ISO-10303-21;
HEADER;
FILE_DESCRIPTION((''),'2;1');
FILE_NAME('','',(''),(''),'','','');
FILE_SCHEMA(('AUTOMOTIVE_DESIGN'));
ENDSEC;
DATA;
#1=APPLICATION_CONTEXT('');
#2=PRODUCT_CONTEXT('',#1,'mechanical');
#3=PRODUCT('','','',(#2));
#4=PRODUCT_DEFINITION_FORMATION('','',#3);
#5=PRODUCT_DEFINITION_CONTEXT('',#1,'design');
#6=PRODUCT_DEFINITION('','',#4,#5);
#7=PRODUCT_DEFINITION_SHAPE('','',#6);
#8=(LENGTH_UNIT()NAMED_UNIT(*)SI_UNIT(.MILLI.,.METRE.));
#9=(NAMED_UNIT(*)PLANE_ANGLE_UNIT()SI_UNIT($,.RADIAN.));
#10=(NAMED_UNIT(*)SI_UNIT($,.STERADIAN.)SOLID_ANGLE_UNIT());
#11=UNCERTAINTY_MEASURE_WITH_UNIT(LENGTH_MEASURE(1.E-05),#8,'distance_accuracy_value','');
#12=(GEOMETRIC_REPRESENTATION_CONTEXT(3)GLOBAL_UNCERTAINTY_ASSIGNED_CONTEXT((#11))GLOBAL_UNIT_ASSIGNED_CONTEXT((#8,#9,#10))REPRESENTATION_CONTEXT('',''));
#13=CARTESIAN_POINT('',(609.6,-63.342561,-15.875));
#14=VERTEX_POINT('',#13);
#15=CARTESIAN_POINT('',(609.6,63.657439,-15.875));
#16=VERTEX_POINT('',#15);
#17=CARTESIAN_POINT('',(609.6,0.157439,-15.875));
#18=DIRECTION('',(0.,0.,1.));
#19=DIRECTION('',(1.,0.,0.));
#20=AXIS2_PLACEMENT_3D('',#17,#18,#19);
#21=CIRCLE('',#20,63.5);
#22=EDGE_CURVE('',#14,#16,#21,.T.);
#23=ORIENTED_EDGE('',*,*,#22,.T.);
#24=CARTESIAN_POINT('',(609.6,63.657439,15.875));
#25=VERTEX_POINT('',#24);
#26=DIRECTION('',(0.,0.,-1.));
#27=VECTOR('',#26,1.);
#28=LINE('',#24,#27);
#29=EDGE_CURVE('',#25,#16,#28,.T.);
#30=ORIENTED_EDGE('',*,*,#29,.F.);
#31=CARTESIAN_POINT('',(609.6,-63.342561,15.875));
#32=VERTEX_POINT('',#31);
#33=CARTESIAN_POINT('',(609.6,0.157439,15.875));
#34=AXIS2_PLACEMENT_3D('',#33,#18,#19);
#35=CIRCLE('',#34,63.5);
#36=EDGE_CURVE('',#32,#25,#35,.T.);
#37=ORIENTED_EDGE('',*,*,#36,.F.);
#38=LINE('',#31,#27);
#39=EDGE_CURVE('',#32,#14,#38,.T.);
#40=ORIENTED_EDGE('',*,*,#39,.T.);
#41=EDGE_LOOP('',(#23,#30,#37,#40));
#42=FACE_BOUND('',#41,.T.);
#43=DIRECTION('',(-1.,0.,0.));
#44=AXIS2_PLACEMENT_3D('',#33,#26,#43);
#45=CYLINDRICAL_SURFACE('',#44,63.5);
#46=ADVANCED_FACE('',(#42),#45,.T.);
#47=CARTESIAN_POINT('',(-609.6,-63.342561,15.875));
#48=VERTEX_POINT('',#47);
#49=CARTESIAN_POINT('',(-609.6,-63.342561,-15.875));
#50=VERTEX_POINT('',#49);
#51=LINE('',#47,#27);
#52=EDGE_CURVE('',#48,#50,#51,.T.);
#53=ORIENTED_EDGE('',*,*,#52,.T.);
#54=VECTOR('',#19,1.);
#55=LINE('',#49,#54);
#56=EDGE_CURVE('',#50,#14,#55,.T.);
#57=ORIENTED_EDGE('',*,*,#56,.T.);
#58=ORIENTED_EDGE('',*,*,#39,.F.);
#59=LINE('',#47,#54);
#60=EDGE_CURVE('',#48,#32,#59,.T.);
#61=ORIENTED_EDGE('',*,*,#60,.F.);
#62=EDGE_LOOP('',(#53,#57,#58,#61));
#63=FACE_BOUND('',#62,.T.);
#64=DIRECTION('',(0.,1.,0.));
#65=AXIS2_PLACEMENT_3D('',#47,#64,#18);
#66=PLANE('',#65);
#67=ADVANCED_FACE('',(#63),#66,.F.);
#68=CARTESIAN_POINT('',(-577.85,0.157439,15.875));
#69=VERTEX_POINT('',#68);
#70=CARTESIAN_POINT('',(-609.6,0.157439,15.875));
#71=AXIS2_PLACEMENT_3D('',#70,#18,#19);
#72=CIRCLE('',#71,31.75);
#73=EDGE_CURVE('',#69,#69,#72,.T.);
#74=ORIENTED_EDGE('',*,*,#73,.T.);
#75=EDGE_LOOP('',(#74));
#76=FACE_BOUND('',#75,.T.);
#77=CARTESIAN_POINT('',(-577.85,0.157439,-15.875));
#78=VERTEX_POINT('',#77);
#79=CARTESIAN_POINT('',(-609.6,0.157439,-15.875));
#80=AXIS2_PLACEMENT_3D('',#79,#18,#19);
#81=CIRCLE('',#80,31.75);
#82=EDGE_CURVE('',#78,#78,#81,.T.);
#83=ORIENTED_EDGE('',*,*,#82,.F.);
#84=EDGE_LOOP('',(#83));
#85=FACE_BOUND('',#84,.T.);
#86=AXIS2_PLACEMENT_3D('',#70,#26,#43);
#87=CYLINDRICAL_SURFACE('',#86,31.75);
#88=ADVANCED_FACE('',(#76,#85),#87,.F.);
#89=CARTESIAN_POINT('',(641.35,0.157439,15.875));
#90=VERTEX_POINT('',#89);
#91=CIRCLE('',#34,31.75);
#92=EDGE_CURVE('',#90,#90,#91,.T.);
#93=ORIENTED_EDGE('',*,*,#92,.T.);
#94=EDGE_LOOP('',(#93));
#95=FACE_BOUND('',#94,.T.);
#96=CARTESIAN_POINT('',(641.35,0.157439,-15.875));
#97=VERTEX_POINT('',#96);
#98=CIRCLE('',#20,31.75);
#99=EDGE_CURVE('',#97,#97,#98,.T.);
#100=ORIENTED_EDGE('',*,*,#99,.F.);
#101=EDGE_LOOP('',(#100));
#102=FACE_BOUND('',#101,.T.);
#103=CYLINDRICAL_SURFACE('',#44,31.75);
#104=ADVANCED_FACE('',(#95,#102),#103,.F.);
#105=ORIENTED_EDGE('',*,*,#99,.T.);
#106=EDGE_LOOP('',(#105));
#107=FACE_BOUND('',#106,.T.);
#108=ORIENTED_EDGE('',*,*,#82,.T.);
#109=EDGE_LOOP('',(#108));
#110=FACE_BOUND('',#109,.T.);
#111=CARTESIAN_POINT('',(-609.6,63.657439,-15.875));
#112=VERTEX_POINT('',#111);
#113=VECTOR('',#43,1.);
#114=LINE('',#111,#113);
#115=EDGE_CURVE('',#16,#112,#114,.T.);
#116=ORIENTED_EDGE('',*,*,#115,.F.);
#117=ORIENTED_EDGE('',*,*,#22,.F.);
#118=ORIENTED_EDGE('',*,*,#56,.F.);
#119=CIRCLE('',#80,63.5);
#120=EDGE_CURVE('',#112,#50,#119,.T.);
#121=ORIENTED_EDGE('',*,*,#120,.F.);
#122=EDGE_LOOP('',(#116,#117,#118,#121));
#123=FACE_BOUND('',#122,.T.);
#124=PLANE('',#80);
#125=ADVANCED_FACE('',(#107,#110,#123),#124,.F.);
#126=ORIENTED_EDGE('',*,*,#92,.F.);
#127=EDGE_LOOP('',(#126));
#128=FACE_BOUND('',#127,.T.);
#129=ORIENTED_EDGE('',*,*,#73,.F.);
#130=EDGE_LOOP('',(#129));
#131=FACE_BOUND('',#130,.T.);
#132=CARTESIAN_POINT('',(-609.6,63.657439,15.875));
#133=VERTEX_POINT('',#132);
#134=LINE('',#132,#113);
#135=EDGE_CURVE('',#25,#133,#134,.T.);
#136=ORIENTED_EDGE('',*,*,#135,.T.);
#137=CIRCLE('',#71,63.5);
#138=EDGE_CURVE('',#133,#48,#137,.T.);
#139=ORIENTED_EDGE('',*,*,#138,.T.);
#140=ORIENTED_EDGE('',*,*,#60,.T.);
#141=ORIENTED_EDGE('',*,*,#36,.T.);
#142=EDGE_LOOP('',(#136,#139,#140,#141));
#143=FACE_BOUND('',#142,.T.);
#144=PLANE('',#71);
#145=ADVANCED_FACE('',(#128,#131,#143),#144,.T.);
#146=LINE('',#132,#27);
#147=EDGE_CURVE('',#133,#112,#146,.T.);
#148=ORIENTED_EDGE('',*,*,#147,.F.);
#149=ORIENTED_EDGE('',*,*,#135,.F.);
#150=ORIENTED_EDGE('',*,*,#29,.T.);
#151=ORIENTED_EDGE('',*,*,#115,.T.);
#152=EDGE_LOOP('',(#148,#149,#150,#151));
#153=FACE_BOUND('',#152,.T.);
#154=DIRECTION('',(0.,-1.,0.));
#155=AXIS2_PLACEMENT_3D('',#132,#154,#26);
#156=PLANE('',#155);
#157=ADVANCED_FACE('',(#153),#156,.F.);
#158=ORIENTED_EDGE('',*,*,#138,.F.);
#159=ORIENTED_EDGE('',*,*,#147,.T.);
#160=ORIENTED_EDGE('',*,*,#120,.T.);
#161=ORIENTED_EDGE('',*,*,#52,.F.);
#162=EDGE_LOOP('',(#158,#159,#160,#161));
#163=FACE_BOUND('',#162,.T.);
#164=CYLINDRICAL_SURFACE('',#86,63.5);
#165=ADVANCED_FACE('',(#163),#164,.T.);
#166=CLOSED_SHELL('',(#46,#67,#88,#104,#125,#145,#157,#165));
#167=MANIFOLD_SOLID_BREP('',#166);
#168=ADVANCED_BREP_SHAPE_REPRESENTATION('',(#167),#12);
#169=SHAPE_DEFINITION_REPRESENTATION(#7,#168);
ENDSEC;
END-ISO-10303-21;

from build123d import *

# Parameters (mm, degrees)
SKETCH1_R           = 31.75
BOSS_EXTRUDE1_DEPTH = 15.875


with BuildPart() as part:
    # Sketch1 → Boss-Extrude1 (new, symmetric)
    with BuildSketch(Plane.XY):
        with BuildLine():
            Line((-609.6, 63.657439452), (609.6, 63.657439452))
            ThreePointArc((609.6, 63.657439452), (673.1, 0.157439452), (609.6, -63.342560548))
            Line((609.6, -63.342560548), (-609.6, -63.342560548))
            ThreePointArc((-609.6, -63.342560548), (-673.1, 0.157439452), (-609.6, 63.657439452))
        make_face()
        with Locations((-609.6, 0.157439452)):
            Circle(SKETCH1_R, mode=Mode.SUBTRACT)
        with Locations((609.6, 0.157439452)):
            Circle(SKETCH1_R, mode=Mode.SUBTRACT)
    extrude(amount=BOSS_EXTRUDE1_DEPTH, both=True)


solid = part.part
